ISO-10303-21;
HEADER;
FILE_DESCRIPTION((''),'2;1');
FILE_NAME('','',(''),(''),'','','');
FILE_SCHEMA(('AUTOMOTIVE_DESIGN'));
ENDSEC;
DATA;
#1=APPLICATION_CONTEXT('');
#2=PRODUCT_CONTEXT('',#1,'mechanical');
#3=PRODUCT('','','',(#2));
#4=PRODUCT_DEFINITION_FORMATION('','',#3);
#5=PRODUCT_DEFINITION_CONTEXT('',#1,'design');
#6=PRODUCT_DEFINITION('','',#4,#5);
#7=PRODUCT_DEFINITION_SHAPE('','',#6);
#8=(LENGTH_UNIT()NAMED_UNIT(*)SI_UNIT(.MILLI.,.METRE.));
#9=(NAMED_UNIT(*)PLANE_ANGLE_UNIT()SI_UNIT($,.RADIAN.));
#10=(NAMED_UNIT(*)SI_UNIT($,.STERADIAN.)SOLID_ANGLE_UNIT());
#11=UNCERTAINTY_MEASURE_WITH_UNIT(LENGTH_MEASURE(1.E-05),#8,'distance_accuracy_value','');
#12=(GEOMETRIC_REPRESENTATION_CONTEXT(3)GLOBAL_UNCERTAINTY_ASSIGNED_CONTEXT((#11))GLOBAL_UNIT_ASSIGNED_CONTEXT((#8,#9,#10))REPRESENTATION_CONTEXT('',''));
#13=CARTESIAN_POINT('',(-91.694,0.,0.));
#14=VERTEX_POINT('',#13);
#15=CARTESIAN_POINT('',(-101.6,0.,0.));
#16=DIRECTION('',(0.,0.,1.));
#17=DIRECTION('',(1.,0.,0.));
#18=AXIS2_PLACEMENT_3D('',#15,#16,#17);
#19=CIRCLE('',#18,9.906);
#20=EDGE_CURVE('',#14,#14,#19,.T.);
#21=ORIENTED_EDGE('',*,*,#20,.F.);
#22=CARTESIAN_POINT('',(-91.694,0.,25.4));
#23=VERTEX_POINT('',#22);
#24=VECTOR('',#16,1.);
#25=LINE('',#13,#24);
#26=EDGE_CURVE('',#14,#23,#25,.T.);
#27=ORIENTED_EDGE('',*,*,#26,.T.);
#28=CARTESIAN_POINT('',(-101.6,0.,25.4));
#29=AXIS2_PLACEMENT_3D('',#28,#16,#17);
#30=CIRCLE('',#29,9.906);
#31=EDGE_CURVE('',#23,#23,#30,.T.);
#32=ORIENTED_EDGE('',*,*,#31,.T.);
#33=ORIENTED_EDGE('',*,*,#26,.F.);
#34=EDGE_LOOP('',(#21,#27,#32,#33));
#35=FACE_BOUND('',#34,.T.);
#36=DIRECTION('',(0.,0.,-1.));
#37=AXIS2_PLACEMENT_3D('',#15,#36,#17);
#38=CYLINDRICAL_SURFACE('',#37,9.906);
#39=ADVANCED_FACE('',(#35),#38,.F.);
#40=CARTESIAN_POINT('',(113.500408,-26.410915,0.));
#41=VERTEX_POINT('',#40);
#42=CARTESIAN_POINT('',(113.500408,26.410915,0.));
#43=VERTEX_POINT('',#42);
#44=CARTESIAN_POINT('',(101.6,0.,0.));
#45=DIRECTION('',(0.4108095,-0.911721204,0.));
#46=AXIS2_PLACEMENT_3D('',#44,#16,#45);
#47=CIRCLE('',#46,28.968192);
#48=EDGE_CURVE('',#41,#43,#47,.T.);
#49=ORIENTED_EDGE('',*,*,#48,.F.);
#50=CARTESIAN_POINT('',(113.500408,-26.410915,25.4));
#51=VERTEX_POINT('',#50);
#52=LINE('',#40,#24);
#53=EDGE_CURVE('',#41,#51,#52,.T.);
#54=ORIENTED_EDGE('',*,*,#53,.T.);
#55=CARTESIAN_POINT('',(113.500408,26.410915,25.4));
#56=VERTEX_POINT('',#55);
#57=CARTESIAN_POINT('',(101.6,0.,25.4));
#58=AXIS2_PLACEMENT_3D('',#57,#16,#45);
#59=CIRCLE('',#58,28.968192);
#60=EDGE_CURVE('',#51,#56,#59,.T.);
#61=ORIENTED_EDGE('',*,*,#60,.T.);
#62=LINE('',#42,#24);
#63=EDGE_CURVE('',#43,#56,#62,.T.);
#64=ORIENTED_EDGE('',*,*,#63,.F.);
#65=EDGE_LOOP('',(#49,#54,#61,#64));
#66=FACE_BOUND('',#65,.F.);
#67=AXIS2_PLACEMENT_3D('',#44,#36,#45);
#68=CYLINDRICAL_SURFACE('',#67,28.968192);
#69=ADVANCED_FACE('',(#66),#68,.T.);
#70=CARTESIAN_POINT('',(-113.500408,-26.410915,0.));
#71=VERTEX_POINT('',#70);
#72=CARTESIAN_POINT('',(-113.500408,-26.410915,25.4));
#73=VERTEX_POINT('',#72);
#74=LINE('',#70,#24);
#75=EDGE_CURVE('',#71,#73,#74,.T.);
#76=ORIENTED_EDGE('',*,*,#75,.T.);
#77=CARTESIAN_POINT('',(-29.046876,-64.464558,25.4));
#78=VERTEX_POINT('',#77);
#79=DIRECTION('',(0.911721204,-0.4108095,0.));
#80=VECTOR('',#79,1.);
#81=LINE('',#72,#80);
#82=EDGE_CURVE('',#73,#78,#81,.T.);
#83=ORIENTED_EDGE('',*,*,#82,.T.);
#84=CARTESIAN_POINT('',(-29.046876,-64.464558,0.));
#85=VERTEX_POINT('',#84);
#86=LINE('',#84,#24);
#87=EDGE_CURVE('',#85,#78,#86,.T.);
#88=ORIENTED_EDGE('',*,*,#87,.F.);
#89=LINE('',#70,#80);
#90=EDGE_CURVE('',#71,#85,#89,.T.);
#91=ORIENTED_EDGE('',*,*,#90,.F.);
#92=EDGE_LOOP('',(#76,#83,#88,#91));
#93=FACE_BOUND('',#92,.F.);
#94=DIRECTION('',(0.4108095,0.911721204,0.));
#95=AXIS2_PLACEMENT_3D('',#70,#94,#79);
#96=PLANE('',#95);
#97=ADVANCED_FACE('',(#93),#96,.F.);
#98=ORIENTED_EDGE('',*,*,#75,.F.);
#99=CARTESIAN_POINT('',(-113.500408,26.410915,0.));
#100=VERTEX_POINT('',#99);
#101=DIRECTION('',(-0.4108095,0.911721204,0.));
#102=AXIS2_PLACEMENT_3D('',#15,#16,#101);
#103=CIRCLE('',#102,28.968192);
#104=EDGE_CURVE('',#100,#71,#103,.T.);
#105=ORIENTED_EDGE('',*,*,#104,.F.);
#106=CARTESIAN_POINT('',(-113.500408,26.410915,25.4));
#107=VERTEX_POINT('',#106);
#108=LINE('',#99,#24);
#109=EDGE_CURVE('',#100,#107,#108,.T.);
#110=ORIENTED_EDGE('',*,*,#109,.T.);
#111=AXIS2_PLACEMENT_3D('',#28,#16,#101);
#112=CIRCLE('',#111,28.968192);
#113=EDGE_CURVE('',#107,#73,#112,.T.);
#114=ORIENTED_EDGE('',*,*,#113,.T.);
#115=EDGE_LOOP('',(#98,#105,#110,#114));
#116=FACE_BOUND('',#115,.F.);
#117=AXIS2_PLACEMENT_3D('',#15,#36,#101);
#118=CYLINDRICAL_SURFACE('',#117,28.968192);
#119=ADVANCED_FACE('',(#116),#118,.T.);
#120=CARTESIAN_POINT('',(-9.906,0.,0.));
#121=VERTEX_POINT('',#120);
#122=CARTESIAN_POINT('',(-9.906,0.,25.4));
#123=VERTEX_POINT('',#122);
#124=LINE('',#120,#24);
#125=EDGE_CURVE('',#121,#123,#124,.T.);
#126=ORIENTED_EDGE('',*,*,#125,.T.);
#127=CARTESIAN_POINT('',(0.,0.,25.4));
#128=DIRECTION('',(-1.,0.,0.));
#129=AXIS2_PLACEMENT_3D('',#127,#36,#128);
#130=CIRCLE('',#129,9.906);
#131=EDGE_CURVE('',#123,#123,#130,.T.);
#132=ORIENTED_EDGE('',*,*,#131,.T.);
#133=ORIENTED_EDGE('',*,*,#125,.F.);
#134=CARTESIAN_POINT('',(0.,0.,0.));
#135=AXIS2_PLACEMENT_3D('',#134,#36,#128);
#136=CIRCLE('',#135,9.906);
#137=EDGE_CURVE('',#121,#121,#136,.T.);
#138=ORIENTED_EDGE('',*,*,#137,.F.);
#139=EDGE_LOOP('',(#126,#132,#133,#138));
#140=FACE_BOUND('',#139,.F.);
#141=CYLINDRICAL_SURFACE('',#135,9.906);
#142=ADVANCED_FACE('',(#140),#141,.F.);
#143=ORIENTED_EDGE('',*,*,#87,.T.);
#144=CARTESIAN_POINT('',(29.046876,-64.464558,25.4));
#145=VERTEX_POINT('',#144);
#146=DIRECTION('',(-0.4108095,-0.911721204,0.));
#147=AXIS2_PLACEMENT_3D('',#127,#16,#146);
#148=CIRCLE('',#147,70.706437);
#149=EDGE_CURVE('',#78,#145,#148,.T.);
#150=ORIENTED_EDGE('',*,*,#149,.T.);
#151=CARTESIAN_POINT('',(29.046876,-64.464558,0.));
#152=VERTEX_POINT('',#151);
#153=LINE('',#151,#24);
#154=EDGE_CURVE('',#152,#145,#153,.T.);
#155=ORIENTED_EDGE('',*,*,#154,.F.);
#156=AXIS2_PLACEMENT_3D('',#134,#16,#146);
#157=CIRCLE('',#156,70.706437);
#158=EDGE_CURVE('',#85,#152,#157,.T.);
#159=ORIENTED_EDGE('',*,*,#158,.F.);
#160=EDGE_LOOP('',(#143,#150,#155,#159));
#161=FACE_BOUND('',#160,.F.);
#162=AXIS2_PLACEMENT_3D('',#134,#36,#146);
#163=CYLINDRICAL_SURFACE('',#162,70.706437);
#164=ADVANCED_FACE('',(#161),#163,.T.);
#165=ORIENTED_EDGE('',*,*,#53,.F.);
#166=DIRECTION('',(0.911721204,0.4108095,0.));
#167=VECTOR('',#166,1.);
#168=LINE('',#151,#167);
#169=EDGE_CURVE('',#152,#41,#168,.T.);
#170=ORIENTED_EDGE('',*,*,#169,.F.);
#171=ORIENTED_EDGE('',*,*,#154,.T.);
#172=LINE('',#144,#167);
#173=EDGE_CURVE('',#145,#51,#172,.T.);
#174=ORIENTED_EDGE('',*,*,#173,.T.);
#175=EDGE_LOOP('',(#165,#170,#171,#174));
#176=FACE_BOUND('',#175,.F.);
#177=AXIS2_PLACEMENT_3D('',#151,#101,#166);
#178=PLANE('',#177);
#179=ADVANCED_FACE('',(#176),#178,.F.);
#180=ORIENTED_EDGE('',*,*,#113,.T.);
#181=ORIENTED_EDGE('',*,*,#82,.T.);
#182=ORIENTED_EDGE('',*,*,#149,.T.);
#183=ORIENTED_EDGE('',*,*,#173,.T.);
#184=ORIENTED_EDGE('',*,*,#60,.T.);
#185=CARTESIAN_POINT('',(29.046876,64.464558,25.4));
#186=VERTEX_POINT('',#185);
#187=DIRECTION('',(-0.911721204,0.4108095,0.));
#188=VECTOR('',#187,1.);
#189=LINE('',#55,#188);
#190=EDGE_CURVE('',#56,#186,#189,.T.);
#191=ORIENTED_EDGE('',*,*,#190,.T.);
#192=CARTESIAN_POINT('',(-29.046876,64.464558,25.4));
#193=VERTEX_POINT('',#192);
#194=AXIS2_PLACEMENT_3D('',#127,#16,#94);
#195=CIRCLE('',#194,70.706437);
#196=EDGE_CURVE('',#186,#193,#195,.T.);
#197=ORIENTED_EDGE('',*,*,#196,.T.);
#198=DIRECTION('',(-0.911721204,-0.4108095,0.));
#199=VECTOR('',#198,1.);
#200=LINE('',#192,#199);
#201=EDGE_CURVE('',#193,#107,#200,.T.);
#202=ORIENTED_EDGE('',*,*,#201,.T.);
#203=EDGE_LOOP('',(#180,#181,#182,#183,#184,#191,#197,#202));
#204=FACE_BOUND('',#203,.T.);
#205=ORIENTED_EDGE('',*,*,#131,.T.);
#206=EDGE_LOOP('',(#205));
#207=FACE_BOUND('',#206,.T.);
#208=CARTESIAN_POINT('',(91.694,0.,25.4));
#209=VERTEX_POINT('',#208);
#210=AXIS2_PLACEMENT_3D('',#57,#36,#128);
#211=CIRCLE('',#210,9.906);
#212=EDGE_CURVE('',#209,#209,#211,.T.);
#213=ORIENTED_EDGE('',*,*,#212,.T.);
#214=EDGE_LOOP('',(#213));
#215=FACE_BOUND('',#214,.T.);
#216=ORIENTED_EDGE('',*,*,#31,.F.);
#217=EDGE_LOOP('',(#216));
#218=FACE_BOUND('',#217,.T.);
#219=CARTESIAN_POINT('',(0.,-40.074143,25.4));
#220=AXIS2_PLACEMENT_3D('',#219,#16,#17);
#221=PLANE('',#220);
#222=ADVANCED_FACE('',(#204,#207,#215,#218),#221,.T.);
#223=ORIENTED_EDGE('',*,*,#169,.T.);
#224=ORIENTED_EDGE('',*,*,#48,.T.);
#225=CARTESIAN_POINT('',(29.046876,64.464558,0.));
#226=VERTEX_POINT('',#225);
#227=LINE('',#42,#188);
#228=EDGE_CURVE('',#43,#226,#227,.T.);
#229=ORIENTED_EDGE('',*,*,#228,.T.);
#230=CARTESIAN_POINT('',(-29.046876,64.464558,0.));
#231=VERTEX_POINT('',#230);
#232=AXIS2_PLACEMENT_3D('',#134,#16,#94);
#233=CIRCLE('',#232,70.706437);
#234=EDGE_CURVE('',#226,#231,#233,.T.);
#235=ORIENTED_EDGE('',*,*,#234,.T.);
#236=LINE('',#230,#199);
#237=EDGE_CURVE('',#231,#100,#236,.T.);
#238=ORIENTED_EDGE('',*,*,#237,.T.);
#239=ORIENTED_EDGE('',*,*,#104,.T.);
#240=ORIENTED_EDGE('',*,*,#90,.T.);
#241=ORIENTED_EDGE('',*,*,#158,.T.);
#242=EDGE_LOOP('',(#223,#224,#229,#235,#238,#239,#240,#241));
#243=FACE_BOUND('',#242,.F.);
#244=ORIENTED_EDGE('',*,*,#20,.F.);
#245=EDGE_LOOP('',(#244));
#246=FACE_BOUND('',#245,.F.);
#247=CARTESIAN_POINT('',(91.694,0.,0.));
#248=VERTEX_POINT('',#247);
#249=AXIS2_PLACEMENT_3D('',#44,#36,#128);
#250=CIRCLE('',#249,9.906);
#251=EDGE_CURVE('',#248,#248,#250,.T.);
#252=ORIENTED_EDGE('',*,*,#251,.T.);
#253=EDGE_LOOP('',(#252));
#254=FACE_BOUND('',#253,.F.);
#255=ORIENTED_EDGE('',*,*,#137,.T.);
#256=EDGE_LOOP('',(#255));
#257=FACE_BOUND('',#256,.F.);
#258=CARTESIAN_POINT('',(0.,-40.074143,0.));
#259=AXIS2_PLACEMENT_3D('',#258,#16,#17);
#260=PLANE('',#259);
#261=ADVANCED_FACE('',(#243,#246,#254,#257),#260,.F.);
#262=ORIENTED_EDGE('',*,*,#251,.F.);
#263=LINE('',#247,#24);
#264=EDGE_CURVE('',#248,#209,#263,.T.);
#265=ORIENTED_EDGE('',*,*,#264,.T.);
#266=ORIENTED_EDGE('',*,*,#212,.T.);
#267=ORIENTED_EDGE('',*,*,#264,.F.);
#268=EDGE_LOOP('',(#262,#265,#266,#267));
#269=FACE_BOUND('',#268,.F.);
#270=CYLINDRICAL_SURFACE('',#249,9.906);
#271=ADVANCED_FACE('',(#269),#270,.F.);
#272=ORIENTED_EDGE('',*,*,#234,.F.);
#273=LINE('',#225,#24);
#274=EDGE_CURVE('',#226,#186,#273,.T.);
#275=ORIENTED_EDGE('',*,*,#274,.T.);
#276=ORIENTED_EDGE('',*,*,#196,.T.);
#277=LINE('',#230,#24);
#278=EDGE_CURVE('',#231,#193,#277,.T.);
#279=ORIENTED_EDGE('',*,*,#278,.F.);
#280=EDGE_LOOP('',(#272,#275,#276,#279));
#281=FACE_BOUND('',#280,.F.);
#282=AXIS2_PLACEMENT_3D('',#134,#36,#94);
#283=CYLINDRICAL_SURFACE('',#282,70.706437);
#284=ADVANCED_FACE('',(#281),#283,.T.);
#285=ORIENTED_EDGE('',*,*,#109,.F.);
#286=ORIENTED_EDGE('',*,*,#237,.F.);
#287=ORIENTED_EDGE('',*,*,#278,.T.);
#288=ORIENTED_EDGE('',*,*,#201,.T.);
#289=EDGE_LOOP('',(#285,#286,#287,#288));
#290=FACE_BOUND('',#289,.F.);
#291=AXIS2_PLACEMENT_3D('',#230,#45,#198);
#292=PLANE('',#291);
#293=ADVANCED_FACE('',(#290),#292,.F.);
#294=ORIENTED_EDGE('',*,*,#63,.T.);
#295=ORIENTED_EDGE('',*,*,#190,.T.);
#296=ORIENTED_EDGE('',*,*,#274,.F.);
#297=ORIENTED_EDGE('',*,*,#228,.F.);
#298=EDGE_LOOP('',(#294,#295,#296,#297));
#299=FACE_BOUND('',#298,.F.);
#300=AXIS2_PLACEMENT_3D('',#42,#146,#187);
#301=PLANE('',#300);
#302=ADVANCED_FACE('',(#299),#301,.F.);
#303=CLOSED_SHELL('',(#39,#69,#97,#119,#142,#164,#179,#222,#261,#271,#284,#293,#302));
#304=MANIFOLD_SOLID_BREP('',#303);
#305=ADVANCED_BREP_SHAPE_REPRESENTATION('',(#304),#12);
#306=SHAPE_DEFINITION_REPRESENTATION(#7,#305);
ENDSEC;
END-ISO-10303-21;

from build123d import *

# Parameters (mm, degrees)
F0_R     = 13.9065
F0_R_2   = 9.906
F1_DEPTH = 25.4


with BuildPart() as f1:
    # F0 (on Top) → F1 (new body)
    with BuildSketch(Plane.XY):
        with BuildLine():
            Line((70.7064372, 0), (64.77, 0))
            ThreePointArc((64.77, 0), (0, -64.77), (-64.77, 0))
            Line((-64.77, 0), (-70.7064372, 0))
            ThreePointArc((-70.7064372, 0), (-59.3851891605, -38.3770708873), (-29.0468761129, -64.4645580889))
            ThreePointArc((-29.0468761129, -64.4645580889), (0, -70.7064372), (29.0468761129, -64.4645580889))
            ThreePointArc((29.0468761129, -64.4645580889), (59.3851891605, -38.3770708873), (70.7064372, 0))
        make_face()
        with BuildLine():
            ThreePointArc((-64.77, 0), (0, 64.77), (64.77, 0))
            Line((64.77, 0), (70.7064372, 0))
            ThreePointArc((70.7064372, 0), (59.3851891605, 38.3770708873), (29.0468761129, 64.4645580889))
            ThreePointArc((29.0468761129, 64.4645580889), (0, 70.7064372), (-29.0468761129, 64.4645580889))
            ThreePointArc((-29.0468761129, 64.4645580889), (-59.3851891605, 38.3770708873), (-70.7064372, 0))
            Line((-70.7064372, 0), (-64.77, 0))
        make_face()
        with BuildLine():
            Line((72.631808, 0), (70.7064372, 0))
            ThreePointArc((70.7064372, 0), (59.3851891605, -38.3770708873), (29.0468761129, -64.4645580889))
            Line((29.0468761129, -64.4645580889), (113.5004084714, -26.410914902))
            ThreePointArc((113.5004084714, -26.410914902), (85.8770417817, -24.3299143569), (72.631808, 0))
        make_face()
        with BuildLine():
            ThreePointArc((29.0468761129, 64.4645580889), (59.3851891605, 38.3770708873), (70.7064372, 0))
            Line((70.7064372, 0), (72.631808, 0))
            ThreePointArc((72.631808, 0), (85.8770417817, 24.3299143569), (113.5004084714, 26.410914902))
            Line((113.5004084714, 26.410914902), (29.0468761129, 64.4645580889))
        make_face()
        with BuildLine():
            Line((-72.631808, 0), (-70.7064372, 0))
            ThreePointArc((-70.7064372, 0), (-59.3851891605, 38.3770708873), (-29.0468761129, 64.4645580889))
            Line((-29.0468761129, 64.4645580889), (-113.5004084714, 26.410914902))
            ThreePointArc((-113.5004084714, 26.410914902), (-85.8770417817, 24.3299143569), (-72.631808, 0))
        make_face()
        with BuildLine():
            ThreePointArc((-29.0468761129, -64.4645580889), (-59.3851891605, -38.3770708873), (-70.7064372, 0))
            Line((-70.7064372, 0), (-72.631808, 0))
            ThreePointArc((-72.631808, 0), (-85.8770417817, -24.3299143569), (-113.5004084714, -26.410914902))
            Line((-113.5004084714, -26.410914902), (-29.0468761129, -64.4645580889))
        make_face()
        with BuildLine():
            ThreePointArc((113.5004084714, 26.410914902), (85.8770417817, 24.3299143569), (72.631808, 0))
            ThreePointArc((72.631808, 0), (85.8770417817, -24.3299143569), (113.5004084714, -26.410914902))
            ThreePointArc((113.5004084714, -26.410914902), (125.9299143569, -15.7229582183), (130.568192, 0))
            ThreePointArc((130.568192, 0), (125.9299143569, 15.7229582183), (113.5004084714, 26.410914902))
        make_face()
        with BuildLine():
            ThreePointArc((115.5065, 0), (101.6, -13.9065), (87.6935, 0))
            ThreePointArc((87.6935, 0), (101.6, 13.9065), (115.5065, 0))
        make_face(mode=Mode.SUBTRACT)
        with BuildLine():
            ThreePointArc((-113.5004084714, -26.410914902), (-85.8770417817, -24.3299143569), (-72.631808, 0))
            ThreePointArc((-72.631808, 0), (-85.8770417817, 24.3299143569), (-113.5004084714, 26.410914902))
            ThreePointArc((-113.5004084714, 26.410914902), (-130.568192, 0), (-113.5004084714, -26.410914902))
        make_face()
        with Locations((-101.6, 0)):
            Circle(F0_R, mode=Mode.SUBTRACT)
        with BuildLine():
            ThreePointArc((-64.77, 0), (0, -64.77), (64.77, 0))
            Line((64.77, 0), (9.906, 0))
            ThreePointArc((9.906, 0), (0, -9.906), (-9.906, 0))
            Line((-9.906, 0), (-64.77, 0))
        make_face()
        with BuildLine():
            Line((9.906, 0), (64.77, 0))
            ThreePointArc((64.77, 0), (0, 64.77), (-64.77, 0))
            Line((-64.77, 0), (-9.906, 0))
            ThreePointArc((-9.906, 0), (0, 9.906), (9.906, 0))
        make_face()
        with BuildLine():
            ThreePointArc((115.5065, 0), (101.6, 13.9065), (87.6935, 0))
            ThreePointArc((87.6935, 0), (101.6, -13.9065), (115.5065, 0))
        make_face()
        with BuildLine():
            ThreePointArc((111.506, 0), (101.6, -9.906), (91.694, 0))
            ThreePointArc((91.694, 0), (101.6, 9.906), (111.506, 0))
        make_face(mode=Mode.SUBTRACT)
        with Locations((-101.6, 0)):
            Circle(F0_R)
        with Locations((-101.6, 0)):
            Circle(F0_R_2, mode=Mode.SUBTRACT)
    extrude(amount=F1_DEPTH)


solid = f1.part
